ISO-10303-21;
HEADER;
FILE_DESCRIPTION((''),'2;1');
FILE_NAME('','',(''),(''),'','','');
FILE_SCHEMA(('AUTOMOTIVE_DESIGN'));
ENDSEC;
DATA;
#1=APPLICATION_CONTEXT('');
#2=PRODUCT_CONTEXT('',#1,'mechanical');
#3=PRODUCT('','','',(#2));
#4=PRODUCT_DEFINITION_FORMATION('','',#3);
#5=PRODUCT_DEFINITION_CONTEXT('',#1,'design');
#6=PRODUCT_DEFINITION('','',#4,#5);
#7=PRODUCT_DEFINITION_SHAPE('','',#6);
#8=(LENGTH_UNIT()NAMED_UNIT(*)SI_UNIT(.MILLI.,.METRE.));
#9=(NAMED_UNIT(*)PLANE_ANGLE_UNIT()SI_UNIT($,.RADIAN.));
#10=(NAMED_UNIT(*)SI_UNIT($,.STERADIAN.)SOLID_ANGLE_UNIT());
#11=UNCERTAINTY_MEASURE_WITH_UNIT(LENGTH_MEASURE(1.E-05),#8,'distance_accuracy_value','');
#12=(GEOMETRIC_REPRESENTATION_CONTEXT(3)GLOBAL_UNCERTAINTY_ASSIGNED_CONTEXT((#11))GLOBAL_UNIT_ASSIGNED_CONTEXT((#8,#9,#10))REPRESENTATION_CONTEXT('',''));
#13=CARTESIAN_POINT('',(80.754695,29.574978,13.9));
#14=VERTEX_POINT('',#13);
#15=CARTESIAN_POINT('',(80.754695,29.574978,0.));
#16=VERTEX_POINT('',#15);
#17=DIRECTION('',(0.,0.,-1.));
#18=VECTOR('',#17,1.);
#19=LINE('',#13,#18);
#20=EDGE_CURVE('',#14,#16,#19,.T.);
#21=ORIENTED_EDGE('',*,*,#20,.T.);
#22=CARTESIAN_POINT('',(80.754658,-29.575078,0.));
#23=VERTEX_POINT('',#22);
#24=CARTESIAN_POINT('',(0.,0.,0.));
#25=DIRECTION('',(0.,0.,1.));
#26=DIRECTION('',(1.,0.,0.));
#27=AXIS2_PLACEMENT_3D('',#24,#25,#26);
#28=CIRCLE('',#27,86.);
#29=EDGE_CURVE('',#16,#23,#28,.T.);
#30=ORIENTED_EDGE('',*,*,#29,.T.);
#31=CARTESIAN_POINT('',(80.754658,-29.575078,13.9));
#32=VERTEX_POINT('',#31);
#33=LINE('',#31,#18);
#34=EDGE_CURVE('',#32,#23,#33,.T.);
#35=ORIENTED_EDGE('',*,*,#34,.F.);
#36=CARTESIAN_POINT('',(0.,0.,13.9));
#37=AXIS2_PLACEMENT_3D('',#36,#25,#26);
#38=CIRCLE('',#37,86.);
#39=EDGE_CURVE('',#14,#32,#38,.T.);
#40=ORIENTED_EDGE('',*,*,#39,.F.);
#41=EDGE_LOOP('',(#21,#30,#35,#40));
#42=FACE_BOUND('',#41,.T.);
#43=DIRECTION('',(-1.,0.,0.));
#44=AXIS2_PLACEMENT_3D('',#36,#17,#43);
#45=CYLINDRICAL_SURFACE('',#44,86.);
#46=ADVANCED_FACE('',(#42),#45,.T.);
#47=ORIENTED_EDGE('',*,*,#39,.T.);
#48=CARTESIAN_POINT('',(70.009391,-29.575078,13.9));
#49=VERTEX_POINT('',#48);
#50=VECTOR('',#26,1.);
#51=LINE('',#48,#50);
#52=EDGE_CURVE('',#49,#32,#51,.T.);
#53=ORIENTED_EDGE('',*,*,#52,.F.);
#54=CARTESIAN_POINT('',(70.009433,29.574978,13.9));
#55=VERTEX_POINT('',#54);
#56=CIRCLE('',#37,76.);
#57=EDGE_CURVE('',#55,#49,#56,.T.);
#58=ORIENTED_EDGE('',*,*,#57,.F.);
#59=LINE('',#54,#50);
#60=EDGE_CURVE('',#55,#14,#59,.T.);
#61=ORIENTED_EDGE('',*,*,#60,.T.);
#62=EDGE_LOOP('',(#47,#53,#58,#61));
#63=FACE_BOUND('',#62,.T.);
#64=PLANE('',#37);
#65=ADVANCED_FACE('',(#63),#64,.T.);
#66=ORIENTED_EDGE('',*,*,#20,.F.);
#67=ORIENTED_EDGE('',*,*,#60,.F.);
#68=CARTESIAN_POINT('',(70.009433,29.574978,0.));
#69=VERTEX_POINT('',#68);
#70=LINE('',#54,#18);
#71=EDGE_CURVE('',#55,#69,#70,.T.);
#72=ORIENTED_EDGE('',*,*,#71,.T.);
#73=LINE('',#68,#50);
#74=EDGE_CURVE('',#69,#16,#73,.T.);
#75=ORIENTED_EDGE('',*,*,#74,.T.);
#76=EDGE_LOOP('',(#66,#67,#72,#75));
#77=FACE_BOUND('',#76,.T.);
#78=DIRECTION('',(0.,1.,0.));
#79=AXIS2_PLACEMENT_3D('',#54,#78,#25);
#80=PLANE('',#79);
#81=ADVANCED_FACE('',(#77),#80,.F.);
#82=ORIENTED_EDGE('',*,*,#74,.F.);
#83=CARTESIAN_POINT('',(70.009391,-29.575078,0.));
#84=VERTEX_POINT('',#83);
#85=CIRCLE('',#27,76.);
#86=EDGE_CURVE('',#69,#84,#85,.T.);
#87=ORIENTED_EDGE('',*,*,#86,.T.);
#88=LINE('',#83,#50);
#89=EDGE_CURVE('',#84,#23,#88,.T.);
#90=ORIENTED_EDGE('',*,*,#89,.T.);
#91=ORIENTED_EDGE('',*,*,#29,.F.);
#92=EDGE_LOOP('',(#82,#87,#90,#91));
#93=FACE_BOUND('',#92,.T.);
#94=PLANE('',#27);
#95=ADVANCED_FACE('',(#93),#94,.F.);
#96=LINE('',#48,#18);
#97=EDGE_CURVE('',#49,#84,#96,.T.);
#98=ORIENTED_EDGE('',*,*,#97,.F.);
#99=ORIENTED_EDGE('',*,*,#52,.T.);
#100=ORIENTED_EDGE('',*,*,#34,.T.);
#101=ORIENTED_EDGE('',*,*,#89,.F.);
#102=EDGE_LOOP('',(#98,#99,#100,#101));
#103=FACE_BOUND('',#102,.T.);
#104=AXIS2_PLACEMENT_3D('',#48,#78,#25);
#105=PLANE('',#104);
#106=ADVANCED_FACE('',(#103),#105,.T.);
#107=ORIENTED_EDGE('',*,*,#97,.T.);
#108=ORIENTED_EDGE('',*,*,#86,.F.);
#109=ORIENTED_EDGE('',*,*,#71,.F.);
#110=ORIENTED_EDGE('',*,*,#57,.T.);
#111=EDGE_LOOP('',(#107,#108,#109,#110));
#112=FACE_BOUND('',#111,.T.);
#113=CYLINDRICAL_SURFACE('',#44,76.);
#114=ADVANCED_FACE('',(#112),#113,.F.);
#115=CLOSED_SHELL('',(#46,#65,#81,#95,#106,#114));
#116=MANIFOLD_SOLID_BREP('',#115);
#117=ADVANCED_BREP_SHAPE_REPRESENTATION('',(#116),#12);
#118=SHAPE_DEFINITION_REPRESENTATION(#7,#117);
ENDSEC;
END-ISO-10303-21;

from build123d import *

# Parameters (mm, degrees)
BOSS_EXTRUDE1_DEPTH = 13.9


with BuildPart() as part:
    # Sketch1 → Boss-Extrude1 (new body)
    with BuildSketch(Plane.XY):
        with BuildLine():
            Line((70.009432938, 29.574977595), (80.754694602, 29.574977595))
            ThreePointArc((80.754694602, 29.574977595), (-86, 5.3419e-05), (80.754657861, -29.575077916))
            Line((80.754657861, -29.575077916), (70.009390558, -29.575077916))
            ThreePointArc((70.009390558, -29.575077916), (-76, 5.4453e-05), (70.009432938, 29.574977595))
        make_face()
    extrude(amount=BOSS_EXTRUDE1_DEPTH)


solid = part.part
